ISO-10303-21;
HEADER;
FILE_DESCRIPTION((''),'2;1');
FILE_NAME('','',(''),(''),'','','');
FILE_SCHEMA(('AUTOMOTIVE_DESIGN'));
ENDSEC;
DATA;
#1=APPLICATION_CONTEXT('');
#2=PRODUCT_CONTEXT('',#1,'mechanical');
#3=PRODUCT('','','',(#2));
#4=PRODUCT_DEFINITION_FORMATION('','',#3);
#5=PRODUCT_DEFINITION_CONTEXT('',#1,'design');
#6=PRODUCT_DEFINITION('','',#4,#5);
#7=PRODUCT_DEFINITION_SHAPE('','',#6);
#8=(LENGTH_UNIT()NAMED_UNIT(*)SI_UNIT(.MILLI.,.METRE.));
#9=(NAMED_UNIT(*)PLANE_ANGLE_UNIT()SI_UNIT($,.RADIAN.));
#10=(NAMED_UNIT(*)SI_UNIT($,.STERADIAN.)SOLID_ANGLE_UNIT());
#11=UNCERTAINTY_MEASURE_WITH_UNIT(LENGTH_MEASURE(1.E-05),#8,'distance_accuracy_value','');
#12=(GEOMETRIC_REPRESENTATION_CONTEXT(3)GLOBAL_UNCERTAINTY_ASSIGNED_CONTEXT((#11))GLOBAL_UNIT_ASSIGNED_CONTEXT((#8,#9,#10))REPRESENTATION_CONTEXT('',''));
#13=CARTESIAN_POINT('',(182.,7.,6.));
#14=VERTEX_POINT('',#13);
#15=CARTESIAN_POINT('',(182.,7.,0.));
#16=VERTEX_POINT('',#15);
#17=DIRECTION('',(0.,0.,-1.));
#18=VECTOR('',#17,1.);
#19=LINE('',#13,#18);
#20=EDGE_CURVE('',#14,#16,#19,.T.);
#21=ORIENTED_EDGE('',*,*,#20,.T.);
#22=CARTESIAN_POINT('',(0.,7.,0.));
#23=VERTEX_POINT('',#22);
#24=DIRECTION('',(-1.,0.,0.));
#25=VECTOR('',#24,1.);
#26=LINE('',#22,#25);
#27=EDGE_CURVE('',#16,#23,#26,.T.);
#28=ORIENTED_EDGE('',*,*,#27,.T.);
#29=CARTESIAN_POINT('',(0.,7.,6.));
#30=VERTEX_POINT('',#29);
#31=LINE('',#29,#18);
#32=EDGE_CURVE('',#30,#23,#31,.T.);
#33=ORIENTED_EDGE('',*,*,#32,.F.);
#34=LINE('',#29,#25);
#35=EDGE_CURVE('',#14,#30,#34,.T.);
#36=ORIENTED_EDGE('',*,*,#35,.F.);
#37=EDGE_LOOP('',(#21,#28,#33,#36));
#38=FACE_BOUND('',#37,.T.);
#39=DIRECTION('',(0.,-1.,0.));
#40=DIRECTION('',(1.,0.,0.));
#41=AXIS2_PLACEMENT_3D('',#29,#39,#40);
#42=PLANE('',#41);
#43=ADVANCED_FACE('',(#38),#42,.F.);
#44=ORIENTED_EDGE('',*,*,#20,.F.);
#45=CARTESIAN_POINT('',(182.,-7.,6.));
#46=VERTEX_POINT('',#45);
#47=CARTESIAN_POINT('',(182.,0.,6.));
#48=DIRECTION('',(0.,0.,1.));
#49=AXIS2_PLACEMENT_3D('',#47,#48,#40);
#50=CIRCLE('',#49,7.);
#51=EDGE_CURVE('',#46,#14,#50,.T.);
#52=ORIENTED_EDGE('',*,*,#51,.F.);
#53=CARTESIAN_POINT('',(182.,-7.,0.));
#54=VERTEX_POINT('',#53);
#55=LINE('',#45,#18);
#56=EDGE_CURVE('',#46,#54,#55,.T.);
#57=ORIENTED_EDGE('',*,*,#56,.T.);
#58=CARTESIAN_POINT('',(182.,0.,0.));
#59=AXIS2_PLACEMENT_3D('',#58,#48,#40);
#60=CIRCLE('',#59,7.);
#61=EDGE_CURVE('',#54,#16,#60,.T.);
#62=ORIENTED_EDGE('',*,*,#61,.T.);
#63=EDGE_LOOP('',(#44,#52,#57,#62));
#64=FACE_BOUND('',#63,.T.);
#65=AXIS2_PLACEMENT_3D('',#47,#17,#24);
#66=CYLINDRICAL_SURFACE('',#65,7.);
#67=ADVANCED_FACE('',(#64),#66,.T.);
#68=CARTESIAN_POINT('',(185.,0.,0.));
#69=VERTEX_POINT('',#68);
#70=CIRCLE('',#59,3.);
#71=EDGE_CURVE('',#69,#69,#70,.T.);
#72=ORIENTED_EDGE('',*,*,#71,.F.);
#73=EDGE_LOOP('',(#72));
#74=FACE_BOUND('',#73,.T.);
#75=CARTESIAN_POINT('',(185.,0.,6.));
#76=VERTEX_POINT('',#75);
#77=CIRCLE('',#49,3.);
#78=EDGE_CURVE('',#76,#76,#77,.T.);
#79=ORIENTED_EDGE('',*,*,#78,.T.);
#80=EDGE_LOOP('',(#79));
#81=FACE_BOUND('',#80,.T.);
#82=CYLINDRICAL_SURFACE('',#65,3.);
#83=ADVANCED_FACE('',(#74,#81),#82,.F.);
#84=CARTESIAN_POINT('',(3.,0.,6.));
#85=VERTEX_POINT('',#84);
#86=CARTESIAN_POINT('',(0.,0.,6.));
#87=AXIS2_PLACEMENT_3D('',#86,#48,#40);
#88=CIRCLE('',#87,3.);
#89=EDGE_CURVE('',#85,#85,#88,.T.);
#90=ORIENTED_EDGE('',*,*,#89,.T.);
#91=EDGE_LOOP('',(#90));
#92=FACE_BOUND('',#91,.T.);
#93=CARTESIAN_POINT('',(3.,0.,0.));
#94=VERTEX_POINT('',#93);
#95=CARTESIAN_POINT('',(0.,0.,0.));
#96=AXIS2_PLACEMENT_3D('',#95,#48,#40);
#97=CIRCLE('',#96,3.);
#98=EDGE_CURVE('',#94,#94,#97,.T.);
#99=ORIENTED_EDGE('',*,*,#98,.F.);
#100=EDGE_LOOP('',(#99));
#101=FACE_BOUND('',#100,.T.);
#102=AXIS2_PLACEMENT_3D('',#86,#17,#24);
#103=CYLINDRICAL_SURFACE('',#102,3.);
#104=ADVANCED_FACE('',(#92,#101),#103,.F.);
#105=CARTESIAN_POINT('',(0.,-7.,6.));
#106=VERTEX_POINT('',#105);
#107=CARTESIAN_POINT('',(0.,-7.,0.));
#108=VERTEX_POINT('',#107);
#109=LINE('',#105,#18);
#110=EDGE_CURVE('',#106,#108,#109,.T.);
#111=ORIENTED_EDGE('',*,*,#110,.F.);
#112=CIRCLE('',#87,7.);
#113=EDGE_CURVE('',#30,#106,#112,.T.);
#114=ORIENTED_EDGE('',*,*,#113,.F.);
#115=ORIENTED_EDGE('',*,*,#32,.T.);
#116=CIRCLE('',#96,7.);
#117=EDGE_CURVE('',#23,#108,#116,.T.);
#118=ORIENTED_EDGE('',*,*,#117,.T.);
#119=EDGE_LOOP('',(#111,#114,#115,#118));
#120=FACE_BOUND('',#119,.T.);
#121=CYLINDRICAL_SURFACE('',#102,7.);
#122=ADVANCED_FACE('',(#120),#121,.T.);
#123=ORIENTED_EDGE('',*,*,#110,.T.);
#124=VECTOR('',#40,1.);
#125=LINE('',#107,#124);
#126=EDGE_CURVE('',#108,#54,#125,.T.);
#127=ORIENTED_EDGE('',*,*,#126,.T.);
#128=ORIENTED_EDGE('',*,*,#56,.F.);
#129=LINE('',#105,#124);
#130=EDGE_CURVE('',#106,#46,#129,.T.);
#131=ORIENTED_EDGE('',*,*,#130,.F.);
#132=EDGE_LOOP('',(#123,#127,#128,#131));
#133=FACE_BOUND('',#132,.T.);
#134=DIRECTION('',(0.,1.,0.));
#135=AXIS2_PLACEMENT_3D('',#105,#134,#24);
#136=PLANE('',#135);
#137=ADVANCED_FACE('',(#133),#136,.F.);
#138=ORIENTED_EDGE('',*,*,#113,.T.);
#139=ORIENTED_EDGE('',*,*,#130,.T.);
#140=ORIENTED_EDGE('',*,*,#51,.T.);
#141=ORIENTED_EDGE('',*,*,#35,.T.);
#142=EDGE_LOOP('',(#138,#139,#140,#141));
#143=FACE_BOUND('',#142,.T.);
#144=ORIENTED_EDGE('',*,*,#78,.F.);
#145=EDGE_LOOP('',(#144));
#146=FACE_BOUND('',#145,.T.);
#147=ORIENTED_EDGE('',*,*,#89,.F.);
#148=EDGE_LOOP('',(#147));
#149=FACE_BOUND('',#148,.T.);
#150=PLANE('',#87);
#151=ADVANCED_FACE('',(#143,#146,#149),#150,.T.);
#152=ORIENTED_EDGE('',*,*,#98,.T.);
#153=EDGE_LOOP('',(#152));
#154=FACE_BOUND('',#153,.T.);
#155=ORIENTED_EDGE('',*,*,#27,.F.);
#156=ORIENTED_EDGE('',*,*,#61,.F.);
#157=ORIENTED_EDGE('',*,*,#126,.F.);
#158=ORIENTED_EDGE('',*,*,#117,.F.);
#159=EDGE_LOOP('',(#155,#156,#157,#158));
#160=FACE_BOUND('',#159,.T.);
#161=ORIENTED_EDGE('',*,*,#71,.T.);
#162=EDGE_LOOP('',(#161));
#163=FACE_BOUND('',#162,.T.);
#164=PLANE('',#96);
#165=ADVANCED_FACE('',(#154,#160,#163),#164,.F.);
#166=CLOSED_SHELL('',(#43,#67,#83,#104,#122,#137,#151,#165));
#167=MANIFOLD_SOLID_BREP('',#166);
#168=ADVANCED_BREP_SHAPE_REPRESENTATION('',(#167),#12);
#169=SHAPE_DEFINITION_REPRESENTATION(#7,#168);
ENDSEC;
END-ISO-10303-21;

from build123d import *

# Parameters (mm, degrees)
SKETCH_1_R      = 3
EXTRUDE_1_DEPTH = 6


with BuildPart() as part:
    # 草图1 → 凸台-拉伸1 (new body)
    with BuildSketch(Plane.XY):
        with BuildLine():
            Line((0, 7), (182, 7))
            ThreePointArc((182, 7), (189, 0), (182, -7))
            Line((182, -7), (0, -7))
            ThreePointArc((0, -7), (-7, 0), (0, 7))
        make_face()
        Circle(SKETCH_1_R, mode=Mode.SUBTRACT)
        with Locations((182, 0)):
            Circle(SKETCH_1_R, mode=Mode.SUBTRACT)
    extrude(amount=EXTRUDE_1_DEPTH)


solid = part.part
